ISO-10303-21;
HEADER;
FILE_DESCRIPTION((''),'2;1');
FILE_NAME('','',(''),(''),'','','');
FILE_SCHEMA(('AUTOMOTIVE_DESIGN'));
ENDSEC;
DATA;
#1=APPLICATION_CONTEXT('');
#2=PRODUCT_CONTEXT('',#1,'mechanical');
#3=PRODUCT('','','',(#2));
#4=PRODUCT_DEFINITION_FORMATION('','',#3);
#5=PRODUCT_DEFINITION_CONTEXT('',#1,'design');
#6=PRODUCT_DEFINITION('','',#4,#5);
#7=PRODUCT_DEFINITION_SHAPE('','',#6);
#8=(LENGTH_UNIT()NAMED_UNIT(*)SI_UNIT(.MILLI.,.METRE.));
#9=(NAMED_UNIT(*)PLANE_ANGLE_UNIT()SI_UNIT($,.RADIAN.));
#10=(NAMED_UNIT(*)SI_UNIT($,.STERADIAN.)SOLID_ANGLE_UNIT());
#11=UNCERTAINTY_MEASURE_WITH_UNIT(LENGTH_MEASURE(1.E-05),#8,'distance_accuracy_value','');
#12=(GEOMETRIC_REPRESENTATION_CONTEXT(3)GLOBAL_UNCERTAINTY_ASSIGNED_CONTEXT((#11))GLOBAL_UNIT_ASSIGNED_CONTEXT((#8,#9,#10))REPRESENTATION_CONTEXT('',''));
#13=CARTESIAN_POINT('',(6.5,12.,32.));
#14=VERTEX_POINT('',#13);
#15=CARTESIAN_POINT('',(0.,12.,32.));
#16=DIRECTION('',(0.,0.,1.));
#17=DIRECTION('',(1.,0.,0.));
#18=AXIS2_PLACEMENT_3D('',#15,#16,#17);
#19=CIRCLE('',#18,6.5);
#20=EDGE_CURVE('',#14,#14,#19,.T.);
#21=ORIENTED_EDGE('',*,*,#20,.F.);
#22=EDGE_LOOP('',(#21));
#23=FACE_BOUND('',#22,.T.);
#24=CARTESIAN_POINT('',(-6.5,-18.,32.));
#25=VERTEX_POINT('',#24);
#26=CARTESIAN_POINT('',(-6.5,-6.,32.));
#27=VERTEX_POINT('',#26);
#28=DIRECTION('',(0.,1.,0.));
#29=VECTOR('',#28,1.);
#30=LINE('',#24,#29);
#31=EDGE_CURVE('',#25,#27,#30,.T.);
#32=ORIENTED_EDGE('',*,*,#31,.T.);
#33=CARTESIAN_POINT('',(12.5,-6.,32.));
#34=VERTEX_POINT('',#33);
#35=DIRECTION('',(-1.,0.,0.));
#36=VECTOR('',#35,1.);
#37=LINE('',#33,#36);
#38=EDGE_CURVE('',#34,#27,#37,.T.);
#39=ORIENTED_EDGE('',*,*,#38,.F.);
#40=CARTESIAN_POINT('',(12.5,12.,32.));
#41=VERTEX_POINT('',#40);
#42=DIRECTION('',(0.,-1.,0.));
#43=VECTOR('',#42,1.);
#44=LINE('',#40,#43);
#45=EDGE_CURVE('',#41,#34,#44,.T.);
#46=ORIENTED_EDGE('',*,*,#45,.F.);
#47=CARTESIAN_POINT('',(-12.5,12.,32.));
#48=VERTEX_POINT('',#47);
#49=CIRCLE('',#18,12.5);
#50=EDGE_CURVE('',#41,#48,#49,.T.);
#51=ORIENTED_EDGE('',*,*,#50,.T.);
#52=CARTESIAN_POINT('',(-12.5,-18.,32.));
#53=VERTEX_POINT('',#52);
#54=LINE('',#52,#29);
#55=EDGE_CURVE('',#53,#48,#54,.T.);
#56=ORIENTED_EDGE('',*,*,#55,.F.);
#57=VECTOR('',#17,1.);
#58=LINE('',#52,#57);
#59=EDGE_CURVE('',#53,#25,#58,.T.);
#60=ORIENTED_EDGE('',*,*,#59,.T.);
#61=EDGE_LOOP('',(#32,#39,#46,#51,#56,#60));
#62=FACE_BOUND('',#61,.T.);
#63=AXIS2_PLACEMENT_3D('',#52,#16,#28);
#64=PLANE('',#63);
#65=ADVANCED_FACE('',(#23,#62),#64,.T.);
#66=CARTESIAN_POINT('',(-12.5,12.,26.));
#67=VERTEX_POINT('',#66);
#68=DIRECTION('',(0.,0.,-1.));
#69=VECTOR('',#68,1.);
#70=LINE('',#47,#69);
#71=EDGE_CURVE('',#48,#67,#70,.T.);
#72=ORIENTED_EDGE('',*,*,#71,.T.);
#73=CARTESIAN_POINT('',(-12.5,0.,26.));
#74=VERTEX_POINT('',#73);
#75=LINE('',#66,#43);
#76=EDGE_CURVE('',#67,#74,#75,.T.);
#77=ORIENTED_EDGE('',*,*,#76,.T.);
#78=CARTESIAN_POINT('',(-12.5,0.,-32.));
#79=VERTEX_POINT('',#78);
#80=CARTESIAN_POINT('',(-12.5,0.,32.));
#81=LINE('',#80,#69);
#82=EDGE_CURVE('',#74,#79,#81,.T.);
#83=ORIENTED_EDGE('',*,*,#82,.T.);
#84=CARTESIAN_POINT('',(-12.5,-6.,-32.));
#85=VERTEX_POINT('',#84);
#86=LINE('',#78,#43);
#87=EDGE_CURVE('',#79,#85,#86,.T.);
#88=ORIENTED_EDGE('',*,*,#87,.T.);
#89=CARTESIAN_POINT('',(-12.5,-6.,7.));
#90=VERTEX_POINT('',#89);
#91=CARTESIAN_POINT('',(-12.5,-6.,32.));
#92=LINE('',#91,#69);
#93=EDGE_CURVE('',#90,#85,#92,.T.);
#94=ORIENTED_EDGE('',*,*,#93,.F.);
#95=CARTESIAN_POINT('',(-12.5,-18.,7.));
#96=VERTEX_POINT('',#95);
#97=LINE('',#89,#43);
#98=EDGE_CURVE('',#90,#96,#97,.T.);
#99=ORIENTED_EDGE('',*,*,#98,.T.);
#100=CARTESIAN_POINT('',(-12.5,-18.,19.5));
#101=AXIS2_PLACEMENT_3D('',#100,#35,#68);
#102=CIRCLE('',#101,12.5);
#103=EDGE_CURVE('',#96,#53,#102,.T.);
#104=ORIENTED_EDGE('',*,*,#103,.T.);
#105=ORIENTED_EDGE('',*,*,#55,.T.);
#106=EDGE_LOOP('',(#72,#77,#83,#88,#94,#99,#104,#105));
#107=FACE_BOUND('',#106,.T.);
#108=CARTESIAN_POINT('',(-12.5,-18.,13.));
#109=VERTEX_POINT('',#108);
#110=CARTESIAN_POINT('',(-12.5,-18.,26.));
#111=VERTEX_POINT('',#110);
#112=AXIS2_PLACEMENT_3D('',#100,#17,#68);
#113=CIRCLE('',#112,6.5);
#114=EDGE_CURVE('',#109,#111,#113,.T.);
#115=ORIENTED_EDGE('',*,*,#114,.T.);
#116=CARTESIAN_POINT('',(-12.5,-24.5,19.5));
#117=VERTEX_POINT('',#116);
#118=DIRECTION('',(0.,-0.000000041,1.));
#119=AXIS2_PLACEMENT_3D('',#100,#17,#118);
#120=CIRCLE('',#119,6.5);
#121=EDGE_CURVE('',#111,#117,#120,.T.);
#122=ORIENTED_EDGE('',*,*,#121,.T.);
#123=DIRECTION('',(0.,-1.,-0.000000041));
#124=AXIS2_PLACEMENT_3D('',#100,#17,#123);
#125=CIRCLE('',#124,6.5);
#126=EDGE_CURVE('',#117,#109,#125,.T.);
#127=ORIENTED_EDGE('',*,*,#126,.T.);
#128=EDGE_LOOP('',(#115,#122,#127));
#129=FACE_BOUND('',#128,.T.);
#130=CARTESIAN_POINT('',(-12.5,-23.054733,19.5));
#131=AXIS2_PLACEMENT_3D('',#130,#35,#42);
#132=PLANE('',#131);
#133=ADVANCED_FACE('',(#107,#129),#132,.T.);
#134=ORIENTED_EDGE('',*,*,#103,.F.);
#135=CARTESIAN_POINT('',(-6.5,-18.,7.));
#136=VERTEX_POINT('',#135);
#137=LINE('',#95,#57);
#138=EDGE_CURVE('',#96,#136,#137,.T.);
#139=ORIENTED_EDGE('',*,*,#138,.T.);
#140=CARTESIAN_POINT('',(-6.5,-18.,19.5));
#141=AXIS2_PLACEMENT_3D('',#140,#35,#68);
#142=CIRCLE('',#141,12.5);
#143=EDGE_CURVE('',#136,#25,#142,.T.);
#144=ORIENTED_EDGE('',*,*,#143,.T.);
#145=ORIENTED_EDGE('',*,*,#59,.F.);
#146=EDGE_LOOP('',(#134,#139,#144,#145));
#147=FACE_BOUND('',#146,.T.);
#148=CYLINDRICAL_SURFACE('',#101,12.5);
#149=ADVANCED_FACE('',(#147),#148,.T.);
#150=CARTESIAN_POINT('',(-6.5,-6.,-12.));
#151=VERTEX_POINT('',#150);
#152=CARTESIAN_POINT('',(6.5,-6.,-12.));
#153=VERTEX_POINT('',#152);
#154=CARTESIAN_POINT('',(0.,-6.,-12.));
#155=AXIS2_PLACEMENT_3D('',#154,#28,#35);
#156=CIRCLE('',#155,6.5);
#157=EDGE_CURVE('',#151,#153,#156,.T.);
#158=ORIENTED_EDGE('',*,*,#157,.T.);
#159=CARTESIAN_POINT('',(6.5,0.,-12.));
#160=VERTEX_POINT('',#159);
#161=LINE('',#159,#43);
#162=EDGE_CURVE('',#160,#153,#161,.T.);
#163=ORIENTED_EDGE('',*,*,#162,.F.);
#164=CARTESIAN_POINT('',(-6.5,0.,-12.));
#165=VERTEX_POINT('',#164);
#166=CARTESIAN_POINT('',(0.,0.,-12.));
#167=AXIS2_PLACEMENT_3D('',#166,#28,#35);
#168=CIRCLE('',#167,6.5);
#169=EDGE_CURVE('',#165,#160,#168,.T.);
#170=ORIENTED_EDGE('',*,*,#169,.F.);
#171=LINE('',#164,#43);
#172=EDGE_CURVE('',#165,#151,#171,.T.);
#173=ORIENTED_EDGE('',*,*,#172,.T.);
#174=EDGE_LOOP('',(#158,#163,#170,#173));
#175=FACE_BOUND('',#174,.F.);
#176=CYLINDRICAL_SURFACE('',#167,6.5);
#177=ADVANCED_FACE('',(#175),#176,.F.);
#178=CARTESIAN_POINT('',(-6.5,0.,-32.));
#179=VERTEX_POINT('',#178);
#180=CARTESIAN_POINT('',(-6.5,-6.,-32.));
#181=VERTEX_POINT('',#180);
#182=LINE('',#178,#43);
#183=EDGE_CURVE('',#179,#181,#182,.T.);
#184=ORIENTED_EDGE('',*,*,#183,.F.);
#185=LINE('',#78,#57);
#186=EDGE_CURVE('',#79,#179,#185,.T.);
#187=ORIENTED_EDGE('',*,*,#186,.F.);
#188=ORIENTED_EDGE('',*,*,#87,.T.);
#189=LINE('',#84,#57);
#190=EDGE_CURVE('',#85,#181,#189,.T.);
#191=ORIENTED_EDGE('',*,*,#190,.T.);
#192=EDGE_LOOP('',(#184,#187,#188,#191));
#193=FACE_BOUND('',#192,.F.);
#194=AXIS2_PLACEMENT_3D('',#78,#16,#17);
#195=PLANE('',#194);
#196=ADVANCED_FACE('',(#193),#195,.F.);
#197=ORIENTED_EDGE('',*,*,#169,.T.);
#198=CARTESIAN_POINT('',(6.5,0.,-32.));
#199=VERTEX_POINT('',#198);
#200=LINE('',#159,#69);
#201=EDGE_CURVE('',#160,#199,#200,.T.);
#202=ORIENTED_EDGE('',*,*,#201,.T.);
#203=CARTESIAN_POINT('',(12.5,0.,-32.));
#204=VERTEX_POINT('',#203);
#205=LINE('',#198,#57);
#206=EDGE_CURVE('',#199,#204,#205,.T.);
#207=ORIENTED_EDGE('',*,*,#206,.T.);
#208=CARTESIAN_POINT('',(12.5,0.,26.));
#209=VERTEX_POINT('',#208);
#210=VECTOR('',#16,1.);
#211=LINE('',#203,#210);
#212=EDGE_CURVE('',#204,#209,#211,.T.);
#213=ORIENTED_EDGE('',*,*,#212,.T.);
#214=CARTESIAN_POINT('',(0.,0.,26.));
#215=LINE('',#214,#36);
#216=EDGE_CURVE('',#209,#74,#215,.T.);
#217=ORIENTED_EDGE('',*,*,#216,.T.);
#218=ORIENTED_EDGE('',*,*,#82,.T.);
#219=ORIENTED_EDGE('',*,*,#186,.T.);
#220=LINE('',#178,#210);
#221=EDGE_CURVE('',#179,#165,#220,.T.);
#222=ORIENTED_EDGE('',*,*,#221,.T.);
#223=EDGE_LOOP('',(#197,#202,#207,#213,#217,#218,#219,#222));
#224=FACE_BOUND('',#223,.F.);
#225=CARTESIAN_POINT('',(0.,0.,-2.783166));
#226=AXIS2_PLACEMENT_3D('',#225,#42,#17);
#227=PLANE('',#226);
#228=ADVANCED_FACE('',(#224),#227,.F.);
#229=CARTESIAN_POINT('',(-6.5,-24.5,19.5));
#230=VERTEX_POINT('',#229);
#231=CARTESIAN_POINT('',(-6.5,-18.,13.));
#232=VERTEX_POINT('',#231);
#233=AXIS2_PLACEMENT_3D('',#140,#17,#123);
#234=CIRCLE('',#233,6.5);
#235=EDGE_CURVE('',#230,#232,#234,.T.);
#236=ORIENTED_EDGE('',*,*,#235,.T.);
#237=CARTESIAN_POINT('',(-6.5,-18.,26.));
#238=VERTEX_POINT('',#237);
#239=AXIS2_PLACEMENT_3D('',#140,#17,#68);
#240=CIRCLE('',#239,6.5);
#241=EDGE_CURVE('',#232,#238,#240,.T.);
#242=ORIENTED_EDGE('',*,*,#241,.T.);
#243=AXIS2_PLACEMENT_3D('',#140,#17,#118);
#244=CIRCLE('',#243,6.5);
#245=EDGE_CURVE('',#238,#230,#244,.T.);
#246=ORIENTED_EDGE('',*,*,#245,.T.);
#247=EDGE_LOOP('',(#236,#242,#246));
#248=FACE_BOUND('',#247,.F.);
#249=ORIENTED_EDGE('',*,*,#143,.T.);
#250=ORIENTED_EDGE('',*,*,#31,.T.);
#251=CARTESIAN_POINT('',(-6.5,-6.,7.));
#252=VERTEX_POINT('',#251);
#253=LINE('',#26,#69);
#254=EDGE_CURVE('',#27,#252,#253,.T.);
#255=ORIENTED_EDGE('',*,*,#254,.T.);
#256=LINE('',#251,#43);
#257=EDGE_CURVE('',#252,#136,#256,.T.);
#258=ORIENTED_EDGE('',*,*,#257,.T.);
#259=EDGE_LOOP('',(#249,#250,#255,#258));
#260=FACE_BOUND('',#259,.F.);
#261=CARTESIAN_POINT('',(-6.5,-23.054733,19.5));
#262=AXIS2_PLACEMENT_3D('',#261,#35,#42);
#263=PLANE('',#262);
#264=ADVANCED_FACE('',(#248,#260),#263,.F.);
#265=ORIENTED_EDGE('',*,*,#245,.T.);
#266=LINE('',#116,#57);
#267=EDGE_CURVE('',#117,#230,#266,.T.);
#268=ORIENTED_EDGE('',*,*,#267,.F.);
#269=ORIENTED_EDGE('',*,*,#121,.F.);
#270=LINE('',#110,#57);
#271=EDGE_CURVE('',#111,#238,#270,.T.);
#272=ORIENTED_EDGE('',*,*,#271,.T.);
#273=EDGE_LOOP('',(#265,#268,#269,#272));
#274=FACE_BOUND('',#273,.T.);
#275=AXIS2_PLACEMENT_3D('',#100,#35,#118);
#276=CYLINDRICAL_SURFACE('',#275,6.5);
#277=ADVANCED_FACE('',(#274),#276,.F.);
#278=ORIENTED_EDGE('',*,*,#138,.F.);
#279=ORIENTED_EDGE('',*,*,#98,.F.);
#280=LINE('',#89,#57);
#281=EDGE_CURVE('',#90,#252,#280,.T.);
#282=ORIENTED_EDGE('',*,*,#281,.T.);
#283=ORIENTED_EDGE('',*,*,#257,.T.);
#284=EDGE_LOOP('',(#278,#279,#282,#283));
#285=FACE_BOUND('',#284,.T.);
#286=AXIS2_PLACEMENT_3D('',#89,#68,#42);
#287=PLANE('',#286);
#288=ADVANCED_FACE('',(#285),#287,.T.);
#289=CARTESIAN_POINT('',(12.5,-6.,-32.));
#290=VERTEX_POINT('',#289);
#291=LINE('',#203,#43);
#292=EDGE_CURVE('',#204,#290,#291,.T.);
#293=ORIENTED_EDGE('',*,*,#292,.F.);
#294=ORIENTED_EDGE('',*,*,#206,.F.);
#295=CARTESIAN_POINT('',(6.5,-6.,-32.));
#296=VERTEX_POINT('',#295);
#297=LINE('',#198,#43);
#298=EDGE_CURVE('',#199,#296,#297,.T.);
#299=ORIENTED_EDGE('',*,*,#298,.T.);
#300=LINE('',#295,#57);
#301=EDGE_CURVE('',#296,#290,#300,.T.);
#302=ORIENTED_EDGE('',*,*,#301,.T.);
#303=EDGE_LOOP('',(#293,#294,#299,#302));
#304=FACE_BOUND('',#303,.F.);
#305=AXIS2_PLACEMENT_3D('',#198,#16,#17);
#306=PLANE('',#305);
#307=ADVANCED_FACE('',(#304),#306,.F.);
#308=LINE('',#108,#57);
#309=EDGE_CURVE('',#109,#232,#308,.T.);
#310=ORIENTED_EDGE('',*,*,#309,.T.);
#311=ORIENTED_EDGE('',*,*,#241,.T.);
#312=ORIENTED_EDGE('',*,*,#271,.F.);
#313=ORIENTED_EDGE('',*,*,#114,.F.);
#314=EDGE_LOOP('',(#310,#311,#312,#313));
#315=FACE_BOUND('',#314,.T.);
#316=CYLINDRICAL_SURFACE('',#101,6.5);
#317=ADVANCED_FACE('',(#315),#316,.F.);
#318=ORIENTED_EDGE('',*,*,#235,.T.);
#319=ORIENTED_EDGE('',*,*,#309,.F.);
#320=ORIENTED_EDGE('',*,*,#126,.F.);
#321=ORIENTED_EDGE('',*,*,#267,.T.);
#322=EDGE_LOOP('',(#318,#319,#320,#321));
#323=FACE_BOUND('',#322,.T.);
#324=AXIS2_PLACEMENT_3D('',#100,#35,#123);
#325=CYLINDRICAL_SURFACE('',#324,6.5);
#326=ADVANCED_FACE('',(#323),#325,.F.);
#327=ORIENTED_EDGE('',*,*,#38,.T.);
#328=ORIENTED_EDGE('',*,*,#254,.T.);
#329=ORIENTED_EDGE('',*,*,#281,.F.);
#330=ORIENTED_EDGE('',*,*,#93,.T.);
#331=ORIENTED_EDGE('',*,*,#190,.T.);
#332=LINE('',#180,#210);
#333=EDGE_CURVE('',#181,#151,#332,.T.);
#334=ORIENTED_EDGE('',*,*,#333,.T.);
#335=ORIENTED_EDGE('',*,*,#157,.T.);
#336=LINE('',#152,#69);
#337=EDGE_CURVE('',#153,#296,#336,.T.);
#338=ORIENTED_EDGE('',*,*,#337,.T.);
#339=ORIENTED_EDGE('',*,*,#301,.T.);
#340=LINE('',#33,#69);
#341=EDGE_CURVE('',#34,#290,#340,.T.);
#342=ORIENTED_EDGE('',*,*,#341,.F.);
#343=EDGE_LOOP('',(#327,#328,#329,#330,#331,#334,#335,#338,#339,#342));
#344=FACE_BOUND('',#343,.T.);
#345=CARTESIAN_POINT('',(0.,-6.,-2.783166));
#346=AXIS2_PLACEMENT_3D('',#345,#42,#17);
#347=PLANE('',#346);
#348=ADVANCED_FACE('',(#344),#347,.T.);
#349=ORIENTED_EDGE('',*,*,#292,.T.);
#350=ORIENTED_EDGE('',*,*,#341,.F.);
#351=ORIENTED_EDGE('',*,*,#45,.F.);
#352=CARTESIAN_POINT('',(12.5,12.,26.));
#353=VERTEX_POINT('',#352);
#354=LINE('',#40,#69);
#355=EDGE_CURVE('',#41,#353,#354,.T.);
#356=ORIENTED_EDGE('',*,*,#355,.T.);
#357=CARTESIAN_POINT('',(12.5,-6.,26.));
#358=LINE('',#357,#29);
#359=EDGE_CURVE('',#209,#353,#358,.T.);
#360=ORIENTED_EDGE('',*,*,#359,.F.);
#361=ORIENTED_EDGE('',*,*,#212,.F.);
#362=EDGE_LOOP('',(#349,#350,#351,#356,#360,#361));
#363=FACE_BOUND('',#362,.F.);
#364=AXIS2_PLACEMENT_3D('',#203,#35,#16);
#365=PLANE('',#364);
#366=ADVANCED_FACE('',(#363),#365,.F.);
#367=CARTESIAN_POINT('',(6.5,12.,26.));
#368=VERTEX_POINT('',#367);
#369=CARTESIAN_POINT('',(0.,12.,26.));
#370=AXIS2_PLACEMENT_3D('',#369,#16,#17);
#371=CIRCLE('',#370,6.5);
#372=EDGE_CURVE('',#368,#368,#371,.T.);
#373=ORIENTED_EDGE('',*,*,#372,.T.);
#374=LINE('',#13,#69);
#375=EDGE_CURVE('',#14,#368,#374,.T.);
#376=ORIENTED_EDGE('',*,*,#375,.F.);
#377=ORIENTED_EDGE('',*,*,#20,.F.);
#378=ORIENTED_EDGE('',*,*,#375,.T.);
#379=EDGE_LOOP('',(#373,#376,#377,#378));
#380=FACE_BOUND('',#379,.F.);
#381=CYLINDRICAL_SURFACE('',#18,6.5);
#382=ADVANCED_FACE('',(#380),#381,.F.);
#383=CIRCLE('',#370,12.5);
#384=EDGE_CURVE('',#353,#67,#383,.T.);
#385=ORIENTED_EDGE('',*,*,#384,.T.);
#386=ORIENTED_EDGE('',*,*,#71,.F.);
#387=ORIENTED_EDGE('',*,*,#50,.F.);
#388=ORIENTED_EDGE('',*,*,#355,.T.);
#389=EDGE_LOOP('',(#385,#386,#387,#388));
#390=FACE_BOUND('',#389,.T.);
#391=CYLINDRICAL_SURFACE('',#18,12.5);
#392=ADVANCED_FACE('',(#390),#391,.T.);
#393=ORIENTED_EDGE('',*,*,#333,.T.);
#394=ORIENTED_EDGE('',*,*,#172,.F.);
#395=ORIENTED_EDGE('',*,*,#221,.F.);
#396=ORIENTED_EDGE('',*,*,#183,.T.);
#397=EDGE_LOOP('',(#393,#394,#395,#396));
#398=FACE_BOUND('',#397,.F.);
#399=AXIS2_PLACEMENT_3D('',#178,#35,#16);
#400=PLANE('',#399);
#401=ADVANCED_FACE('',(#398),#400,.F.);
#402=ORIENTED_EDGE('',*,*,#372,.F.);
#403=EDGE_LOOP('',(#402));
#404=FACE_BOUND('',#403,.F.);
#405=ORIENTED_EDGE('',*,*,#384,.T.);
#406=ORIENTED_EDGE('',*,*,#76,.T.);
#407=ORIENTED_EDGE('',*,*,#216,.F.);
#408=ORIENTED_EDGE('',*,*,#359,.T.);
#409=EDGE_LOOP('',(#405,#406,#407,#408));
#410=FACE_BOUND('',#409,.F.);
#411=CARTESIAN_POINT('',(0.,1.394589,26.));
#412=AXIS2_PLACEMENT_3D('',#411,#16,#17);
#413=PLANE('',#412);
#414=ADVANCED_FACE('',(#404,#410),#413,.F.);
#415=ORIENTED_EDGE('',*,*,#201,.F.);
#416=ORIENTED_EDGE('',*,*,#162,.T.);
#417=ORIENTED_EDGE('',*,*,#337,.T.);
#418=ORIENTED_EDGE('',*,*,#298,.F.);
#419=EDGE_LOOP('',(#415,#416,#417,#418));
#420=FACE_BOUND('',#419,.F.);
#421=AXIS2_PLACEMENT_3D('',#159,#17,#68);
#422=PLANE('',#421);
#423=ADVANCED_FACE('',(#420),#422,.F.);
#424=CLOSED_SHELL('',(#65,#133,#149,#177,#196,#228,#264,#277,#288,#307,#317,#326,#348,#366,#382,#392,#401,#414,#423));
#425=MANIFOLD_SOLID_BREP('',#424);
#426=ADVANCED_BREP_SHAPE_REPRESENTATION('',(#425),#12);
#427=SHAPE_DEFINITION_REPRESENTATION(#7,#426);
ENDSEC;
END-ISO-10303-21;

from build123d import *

# Parameters (mm, degrees)
F1_DEPTH = 6
F2_R     = 6.5
F3_DEPTH = 6
F5_DEPTH = 6


with BuildPart() as f1:
    # F0 (on Front) → F1 (new body)
    with BuildSketch(Plane.XZ):
        with BuildLine():
            Line((12.5, -32), (12.5, 32))
            Line((12.5, 32), (-12.5, 32))
            Line((-12.5, 32), (-12.5, -32))
            Line((-12.5, -32), (-6.5, -32))
            Line((-6.5, -32), (-6.5, -12))
            ThreePointArc((-6.5, -12), (0, -5.5), (6.5, -12))
            Line((6.5, -12), (6.5, -32))
            Line((6.5, -32), (12.5, -32))
        make_face()
    extrude(amount=F1_DEPTH)

    # F2 (on face) → F3 (join)
    with BuildSketch(Plane.XY.offset(32)):
        with BuildLine():
            Line((-12.5, -6), (12.5, -6))
            Line((12.5, -6), (12.5, 12))
            ThreePointArc((12.5, 12), (0, -0.5), (-12.5, 12))
            Line((-12.5, 12), (-12.5, -6))
        make_face()
        with BuildLine():
            ThreePointArc((-12.5, 12), (0, -0.5), (12.5, 12))
            ThreePointArc((12.5, 12), (0, 24.5), (-12.5, 12))
        make_face()
        with Locations((0, 12)):
            Circle(F2_R, mode=Mode.SUBTRACT)
    extrude(amount=-F3_DEPTH)

    # F4 (on face) → F5 (join)
    with BuildSketch(Plane(origin=(-12.5, 0, 0), x_dir=(0, -1, 0), z_dir=(-1, 0, 0))):
        with BuildLine():
            ThreePointArc((18, 7), (30.5, 19.5), (18, 32))
            Line((18, 32), (18, 26))
            ThreePointArc((18, 26), (22.596194, 24.096194), (24.5, 19.5))
            ThreePointArc((24.5, 19.5), (22.596194, 14.903806), (18, 13))
            Line((18, 13), (18, 7))
        make_face()
        with BuildLine():
            Line((18, 32), (6, 32))
            Line((6, 32), (6, 7))
            Line((6, 7), (18, 7))
            Line((18, 7), (18, 13))
            ThreePointArc((18, 13), (11.5, 19.5), (18, 26))
            Line((18, 26), (18, 32))
        make_face()
    extrude(amount=-F5_DEPTH)


solid = f1.part
